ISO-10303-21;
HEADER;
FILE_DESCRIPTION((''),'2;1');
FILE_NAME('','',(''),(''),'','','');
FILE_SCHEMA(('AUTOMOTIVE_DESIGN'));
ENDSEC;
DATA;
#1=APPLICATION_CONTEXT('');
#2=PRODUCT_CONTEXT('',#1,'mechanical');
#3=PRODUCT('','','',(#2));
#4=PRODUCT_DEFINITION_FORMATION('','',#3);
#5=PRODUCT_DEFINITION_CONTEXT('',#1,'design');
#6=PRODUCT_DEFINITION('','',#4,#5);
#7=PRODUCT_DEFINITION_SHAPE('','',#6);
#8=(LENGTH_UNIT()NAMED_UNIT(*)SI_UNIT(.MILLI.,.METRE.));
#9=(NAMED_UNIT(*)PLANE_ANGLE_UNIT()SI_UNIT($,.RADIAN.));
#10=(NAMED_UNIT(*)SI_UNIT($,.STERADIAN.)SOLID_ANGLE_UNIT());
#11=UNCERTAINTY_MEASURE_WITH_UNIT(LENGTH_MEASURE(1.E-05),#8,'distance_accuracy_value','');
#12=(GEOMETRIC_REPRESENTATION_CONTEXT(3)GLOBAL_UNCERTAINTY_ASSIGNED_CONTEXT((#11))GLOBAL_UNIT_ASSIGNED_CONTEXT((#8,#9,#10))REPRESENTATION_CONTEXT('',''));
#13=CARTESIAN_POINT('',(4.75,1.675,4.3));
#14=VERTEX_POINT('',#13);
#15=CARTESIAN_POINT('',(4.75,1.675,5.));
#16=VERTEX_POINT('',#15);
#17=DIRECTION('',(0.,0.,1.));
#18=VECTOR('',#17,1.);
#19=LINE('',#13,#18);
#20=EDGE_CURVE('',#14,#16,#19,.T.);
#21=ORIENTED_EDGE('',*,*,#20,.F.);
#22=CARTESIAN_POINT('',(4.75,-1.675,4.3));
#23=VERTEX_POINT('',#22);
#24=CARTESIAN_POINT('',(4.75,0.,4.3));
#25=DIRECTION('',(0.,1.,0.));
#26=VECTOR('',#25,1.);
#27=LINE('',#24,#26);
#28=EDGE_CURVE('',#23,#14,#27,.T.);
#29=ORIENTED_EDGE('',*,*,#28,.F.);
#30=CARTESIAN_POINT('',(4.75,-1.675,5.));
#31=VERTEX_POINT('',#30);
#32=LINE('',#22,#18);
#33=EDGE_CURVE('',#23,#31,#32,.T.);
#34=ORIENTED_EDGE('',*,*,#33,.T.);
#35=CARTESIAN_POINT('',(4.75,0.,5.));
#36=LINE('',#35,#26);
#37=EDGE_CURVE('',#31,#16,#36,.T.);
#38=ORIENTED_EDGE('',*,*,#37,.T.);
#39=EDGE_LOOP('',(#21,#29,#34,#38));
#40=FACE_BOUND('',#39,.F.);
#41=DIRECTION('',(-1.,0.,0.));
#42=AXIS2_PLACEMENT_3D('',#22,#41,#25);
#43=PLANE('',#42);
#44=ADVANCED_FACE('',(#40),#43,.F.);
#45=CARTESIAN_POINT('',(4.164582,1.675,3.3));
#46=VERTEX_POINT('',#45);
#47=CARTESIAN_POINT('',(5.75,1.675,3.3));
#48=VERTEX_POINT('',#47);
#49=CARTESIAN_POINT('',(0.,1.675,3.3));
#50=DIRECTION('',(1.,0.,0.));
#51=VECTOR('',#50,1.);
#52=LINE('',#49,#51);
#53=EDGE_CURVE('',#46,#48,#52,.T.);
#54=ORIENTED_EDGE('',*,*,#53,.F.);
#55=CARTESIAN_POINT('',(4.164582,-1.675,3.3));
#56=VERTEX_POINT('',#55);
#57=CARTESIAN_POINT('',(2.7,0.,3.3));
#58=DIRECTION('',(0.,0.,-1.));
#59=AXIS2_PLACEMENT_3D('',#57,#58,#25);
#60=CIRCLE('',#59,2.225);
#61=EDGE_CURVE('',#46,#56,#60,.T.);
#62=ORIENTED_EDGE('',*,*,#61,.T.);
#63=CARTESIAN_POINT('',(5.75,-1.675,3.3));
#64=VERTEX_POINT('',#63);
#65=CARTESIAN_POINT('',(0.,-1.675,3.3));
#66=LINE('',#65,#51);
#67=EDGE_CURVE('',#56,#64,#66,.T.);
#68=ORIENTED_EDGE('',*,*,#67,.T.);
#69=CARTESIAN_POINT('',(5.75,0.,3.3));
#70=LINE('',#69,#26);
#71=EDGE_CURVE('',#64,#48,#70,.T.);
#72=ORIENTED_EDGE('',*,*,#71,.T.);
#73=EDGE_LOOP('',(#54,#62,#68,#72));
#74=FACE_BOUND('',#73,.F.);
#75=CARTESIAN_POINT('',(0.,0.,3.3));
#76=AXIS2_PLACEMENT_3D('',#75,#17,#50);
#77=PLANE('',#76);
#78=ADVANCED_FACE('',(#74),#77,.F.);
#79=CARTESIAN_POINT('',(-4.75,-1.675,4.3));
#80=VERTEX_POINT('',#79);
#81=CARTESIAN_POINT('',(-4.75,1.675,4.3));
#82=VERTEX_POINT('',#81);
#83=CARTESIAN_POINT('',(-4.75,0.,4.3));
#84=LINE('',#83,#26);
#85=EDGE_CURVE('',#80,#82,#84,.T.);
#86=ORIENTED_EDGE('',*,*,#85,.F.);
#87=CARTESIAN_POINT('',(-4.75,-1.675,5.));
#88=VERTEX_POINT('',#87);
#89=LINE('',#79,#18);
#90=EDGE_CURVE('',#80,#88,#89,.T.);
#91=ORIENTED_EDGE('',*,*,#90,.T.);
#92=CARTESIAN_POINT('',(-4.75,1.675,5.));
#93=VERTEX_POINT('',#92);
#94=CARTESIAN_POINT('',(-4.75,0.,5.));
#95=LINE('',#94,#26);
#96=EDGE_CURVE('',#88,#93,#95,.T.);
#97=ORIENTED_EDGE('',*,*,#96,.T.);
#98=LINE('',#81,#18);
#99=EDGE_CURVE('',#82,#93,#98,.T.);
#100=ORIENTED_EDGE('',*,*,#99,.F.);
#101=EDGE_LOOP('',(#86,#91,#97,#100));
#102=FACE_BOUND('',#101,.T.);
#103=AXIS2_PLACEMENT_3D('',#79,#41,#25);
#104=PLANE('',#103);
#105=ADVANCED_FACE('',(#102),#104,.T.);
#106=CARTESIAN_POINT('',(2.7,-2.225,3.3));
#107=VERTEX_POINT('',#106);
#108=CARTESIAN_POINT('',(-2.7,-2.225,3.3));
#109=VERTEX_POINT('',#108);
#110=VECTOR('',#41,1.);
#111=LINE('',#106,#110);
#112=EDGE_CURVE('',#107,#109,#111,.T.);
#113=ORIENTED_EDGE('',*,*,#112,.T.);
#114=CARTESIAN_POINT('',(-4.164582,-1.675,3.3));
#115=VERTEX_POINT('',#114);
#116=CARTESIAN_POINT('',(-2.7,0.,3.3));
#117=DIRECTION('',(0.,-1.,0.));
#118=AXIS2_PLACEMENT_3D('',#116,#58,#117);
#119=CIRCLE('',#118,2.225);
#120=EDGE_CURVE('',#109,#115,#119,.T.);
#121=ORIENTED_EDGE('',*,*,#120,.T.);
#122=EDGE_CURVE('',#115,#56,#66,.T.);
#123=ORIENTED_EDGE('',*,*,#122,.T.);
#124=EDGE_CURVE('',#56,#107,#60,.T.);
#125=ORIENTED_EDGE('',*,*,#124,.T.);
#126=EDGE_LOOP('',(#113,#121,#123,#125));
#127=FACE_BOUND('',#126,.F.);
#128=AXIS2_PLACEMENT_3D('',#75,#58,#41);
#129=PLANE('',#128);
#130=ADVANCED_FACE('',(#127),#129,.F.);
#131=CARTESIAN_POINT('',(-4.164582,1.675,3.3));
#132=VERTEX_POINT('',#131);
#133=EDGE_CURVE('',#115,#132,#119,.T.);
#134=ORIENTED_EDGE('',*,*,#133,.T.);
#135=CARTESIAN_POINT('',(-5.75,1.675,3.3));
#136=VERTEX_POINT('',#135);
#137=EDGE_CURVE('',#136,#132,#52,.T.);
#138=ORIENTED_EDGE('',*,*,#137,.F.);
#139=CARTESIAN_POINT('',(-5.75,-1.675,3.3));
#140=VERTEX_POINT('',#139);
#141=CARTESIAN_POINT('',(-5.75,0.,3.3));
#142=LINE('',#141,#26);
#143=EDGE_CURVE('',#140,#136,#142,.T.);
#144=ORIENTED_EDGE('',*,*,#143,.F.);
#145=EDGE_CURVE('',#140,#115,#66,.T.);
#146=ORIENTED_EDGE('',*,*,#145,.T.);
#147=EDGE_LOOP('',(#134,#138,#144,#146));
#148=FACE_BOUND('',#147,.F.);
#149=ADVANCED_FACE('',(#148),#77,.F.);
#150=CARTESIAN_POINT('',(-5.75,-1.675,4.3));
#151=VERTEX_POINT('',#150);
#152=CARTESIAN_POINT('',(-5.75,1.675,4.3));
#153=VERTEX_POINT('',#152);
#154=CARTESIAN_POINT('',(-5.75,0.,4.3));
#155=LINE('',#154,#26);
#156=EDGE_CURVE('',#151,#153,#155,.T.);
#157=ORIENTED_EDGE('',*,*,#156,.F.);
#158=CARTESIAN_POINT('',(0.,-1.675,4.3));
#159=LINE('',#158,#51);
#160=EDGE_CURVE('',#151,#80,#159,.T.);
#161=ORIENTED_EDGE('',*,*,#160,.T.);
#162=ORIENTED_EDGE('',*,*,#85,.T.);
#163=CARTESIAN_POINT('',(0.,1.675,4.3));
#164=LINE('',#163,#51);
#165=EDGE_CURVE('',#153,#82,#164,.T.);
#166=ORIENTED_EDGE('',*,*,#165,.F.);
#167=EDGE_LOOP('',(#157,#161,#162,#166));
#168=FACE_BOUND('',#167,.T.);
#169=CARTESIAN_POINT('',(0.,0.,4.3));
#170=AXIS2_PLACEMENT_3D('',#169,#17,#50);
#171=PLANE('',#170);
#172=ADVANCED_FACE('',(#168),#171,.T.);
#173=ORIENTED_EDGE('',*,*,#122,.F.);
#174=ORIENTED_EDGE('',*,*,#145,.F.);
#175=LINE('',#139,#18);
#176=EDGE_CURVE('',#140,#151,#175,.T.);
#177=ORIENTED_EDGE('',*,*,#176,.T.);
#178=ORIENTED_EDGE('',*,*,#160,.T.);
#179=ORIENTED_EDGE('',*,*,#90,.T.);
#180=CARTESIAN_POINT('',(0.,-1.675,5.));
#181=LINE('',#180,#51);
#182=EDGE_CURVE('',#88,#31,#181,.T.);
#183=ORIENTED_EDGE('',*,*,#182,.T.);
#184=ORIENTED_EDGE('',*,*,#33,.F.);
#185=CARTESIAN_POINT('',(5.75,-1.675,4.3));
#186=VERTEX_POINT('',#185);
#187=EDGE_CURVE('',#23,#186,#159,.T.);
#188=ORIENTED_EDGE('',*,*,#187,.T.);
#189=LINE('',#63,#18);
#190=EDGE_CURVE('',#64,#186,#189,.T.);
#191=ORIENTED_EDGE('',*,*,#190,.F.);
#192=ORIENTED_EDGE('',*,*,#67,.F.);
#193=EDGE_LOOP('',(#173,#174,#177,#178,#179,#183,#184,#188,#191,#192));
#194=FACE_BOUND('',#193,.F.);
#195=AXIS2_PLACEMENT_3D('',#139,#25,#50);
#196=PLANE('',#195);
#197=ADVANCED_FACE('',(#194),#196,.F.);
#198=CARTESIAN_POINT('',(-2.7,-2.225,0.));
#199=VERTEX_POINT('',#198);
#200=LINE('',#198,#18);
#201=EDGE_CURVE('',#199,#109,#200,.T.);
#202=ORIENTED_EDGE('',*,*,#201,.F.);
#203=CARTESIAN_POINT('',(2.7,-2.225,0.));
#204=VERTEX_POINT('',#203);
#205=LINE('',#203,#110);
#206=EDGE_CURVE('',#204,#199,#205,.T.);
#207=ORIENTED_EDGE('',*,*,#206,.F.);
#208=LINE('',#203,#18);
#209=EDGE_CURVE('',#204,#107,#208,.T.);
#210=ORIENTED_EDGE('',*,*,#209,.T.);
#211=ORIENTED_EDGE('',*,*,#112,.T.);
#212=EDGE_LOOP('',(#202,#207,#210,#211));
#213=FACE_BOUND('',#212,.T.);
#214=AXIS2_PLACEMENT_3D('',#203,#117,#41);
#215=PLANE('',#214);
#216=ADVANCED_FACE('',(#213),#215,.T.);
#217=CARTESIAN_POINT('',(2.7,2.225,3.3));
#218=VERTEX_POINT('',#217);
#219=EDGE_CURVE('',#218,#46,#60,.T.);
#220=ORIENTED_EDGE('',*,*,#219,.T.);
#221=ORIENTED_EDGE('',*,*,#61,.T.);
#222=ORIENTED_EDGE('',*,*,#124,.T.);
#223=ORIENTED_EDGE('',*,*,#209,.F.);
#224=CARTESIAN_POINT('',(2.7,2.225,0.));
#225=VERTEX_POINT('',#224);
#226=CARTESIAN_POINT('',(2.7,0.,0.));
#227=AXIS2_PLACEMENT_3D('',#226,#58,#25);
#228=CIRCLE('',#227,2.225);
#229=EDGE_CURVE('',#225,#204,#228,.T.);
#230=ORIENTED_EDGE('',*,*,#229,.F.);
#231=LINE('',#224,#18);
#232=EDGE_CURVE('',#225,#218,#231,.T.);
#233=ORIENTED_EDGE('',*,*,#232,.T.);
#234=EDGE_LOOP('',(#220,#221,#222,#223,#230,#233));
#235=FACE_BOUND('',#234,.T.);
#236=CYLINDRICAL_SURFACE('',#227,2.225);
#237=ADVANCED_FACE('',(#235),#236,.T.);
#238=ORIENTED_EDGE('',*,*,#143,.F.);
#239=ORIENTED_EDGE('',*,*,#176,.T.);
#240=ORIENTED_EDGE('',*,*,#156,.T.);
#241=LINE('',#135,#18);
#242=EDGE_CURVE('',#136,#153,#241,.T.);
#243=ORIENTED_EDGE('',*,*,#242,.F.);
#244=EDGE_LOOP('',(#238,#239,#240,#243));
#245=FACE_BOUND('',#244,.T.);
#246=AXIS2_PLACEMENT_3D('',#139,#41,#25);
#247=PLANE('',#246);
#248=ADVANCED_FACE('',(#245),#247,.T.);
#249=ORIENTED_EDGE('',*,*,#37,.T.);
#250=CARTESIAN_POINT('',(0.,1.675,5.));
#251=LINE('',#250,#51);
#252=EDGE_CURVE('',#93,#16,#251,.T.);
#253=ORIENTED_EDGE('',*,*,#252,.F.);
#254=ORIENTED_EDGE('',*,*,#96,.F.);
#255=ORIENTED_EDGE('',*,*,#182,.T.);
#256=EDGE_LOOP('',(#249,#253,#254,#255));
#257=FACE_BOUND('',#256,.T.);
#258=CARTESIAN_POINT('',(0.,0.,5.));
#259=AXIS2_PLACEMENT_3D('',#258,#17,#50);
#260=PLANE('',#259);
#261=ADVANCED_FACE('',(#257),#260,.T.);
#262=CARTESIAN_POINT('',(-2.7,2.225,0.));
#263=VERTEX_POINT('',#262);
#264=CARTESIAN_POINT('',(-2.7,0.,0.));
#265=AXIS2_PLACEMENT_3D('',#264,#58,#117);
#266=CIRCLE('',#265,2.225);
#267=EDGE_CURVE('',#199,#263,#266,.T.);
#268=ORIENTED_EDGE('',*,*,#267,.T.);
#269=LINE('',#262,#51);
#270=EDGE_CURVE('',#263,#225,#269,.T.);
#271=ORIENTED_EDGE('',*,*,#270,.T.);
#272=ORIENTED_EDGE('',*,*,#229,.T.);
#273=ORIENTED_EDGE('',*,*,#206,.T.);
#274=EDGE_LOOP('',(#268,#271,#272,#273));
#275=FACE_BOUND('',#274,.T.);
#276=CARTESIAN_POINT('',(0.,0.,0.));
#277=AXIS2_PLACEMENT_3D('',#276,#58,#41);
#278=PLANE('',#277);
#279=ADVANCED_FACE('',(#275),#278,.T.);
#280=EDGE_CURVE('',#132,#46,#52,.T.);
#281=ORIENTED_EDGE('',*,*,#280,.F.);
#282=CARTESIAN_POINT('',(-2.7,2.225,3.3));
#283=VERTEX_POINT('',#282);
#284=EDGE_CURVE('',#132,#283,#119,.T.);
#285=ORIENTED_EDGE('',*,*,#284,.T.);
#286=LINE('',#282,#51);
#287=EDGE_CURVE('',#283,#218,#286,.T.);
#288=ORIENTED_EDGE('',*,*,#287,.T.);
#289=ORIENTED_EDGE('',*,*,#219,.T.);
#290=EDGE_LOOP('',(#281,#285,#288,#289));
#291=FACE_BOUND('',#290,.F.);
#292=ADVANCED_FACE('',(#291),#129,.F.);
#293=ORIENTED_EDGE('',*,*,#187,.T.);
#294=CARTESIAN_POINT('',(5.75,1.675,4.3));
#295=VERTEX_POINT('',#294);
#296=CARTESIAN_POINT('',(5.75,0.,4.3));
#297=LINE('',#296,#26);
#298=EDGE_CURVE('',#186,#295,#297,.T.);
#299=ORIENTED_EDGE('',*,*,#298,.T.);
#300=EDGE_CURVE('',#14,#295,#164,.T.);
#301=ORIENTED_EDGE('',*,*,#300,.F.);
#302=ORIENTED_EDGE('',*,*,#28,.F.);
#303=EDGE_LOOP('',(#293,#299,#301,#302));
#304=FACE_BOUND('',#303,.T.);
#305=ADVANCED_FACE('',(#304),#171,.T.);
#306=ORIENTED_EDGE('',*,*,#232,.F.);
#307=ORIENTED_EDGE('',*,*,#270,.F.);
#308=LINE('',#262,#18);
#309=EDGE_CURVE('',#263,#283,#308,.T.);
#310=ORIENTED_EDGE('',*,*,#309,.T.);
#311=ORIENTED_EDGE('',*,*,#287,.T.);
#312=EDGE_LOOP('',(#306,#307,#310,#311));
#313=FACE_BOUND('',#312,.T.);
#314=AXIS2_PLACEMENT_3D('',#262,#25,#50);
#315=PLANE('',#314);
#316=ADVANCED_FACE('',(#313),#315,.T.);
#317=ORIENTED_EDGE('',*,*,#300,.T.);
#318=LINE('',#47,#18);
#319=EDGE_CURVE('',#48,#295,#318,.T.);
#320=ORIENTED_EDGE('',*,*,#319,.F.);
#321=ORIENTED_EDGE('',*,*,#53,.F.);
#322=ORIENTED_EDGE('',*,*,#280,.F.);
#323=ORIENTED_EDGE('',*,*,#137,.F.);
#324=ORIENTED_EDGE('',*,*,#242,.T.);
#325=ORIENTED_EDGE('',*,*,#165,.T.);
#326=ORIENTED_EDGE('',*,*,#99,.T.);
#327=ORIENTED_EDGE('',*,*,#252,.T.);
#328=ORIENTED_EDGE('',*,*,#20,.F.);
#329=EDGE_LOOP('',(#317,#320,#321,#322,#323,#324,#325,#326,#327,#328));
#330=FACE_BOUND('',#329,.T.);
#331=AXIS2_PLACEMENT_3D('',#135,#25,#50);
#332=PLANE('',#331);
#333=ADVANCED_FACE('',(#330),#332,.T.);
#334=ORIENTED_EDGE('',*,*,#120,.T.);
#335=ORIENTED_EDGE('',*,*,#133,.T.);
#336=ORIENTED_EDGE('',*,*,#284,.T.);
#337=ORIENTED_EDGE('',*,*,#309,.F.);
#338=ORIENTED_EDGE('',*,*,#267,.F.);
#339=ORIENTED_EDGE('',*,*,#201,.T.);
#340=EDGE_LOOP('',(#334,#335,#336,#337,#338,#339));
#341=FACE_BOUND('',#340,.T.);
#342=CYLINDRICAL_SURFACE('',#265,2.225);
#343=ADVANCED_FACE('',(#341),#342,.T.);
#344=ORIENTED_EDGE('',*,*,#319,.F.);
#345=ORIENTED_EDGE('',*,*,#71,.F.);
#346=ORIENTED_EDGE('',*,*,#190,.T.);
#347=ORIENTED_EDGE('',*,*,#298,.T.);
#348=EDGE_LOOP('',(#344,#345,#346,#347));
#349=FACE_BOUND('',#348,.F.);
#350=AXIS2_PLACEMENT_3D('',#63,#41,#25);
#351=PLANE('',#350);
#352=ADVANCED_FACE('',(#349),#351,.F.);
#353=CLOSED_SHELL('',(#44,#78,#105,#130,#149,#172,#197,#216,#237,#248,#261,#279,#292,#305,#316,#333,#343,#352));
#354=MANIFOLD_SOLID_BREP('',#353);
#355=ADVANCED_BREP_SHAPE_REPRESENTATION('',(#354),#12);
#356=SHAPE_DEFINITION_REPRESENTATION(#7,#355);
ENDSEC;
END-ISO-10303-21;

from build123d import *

# Parameters (mm, degrees)
BOSS_EXTRU_1_DEPTH = 3.3
ESQUISSE4_W        = 11.5
ESQUISSE4_H        = 3.35
BOSS_EXTRU_2_DEPTH = 1
ESQUISSE5_W        = 9.5
ESQUISSE5_H        = 3.35
BOSS_EXTRU_3_DEPTH = 0.7


with BuildPart() as part:
    # Esquisse3 → Boss.-Extru.1 (new body)
    with BuildSketch(Plane.XY):
        with BuildLine():
            Line((-2.7, 2.225), (2.7, 2.225))
            ThreePointArc((2.7, 2.225), (4.925, 0), (2.7, -2.225))
            Line((2.7, -2.225), (-2.7, -2.225))
            ThreePointArc((-2.7, -2.225), (-4.925, 0), (-2.7, 2.225))
        make_face()
    extrude(amount=BOSS_EXTRU_1_DEPTH)

    # Esquisse4 → Boss.-Extru.2 (add)
    with BuildSketch(Plane.XY.offset(3.3)):
        Rectangle(ESQUISSE4_W, ESQUISSE4_H)
    extrude(amount=BOSS_EXTRU_2_DEPTH)

    # Esquisse5 → Boss.-Extru.3 (add)
    with BuildSketch(Plane.XY.offset(4.3)):
        Rectangle(ESQUISSE5_W, ESQUISSE5_H)
    extrude(amount=BOSS_EXTRU_3_DEPTH)


solid = part.part
